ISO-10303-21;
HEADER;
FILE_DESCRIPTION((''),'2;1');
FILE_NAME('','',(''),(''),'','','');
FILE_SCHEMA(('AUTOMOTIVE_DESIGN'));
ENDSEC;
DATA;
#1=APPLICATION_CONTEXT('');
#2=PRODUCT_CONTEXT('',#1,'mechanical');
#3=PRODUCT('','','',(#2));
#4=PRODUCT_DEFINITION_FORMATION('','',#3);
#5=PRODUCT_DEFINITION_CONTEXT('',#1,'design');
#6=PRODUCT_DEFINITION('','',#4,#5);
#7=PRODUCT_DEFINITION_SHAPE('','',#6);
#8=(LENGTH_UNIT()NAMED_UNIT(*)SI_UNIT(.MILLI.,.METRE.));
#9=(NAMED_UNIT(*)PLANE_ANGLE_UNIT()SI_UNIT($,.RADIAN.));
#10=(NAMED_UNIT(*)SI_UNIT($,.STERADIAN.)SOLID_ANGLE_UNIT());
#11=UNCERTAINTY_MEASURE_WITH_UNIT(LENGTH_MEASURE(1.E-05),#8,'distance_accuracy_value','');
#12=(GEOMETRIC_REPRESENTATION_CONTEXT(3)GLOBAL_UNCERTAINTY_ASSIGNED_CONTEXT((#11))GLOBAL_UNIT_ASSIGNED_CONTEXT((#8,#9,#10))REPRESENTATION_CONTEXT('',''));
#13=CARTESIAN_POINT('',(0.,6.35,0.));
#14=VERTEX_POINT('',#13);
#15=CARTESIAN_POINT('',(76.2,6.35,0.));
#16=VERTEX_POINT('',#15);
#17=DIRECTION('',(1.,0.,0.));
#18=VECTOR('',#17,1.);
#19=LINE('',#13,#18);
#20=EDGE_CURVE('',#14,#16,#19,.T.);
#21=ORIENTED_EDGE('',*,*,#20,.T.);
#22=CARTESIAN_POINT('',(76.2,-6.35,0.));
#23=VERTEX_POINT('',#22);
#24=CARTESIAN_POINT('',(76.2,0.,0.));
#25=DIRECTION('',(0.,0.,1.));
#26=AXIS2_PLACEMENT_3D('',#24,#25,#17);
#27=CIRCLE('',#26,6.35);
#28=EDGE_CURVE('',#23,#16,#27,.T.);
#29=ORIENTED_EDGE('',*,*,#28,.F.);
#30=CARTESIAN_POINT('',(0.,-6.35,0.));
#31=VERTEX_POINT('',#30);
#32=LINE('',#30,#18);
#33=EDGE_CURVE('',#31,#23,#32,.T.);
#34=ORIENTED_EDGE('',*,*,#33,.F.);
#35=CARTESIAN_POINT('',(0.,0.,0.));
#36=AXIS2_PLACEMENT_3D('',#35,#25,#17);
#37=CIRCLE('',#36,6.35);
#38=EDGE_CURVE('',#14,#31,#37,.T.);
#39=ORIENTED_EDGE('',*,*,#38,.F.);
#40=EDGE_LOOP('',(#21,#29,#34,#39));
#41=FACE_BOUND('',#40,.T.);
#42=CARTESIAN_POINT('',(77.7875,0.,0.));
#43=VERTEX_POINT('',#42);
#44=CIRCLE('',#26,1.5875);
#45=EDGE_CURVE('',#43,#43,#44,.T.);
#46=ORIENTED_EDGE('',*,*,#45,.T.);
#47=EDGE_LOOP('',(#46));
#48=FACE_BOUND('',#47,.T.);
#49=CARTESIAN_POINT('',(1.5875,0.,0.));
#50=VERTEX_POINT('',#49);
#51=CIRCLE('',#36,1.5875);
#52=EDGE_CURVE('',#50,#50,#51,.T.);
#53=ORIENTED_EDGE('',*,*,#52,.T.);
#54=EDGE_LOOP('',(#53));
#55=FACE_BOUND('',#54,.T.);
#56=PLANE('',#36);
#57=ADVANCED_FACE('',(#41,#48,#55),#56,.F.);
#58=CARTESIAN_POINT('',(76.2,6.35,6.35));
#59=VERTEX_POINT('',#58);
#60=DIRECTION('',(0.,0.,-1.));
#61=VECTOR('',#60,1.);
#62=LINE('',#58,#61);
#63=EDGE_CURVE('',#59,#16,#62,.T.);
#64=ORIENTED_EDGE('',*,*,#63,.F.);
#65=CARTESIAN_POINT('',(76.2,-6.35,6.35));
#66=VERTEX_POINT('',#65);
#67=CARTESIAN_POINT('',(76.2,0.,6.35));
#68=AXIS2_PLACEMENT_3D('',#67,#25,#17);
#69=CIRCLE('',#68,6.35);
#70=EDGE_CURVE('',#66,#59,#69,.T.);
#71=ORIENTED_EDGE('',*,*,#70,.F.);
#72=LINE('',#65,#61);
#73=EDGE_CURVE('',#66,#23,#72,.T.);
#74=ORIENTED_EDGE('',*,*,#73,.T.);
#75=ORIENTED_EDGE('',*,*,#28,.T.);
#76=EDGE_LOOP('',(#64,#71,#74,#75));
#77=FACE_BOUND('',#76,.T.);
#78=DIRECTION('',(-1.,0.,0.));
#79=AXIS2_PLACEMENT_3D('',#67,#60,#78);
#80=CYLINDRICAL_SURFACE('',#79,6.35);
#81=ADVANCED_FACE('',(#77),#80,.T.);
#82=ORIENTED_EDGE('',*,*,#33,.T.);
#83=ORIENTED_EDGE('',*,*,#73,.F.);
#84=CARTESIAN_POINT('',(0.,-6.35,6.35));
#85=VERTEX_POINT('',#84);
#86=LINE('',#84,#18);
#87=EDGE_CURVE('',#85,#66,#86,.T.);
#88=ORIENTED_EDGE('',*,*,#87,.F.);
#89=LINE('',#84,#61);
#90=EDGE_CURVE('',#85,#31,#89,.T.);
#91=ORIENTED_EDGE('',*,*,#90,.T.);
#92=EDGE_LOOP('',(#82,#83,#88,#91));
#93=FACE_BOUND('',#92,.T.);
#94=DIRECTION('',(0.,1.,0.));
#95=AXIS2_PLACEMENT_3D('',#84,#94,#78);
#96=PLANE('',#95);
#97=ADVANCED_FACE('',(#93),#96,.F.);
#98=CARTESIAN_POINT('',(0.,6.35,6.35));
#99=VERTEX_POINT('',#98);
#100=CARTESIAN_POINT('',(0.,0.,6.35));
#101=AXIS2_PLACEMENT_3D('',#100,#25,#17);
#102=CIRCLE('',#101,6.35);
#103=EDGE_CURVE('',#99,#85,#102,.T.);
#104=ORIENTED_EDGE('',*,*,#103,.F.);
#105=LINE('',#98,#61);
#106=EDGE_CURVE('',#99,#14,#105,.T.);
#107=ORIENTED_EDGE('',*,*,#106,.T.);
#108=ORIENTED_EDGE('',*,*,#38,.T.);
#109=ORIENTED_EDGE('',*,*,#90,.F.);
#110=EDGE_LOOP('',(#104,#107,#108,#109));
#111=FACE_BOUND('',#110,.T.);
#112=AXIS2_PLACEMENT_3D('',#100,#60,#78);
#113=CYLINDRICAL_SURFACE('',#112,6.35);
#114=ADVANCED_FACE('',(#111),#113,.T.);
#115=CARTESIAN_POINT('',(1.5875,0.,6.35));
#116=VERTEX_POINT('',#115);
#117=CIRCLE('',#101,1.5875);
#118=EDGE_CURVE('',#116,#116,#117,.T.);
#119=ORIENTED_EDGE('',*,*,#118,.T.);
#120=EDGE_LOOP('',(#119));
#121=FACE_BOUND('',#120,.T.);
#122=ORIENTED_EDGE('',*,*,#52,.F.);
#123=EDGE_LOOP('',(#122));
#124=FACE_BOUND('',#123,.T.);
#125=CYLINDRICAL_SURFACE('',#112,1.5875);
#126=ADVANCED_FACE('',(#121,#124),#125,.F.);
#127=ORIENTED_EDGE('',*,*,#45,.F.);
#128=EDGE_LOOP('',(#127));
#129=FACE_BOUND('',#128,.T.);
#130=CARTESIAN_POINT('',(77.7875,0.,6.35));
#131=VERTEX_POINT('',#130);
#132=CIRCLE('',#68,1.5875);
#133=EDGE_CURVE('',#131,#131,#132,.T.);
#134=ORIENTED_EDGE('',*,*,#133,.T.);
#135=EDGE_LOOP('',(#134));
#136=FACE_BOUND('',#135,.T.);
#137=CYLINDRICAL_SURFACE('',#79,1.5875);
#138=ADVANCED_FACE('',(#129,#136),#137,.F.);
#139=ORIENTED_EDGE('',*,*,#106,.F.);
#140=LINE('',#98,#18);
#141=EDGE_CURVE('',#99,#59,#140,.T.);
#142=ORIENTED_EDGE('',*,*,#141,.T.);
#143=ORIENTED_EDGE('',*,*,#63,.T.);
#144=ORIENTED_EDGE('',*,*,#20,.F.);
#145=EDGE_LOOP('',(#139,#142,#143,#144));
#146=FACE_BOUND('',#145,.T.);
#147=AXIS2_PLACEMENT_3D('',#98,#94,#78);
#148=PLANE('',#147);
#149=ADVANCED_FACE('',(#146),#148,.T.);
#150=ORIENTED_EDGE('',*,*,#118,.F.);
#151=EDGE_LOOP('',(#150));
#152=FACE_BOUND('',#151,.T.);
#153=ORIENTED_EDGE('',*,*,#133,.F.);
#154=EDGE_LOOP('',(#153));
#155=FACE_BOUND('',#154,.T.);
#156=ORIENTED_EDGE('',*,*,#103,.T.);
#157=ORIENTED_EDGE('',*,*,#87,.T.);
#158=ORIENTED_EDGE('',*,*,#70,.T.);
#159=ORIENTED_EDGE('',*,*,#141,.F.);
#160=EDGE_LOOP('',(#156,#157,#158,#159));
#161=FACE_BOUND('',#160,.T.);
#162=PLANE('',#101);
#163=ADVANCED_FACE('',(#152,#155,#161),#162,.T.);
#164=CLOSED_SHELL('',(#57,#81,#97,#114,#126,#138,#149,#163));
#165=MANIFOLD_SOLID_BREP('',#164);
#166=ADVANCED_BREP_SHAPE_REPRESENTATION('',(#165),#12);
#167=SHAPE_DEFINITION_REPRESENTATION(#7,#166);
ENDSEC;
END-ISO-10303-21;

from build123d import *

# Parameters (mm, degrees)
SKETCH1_R           = 6.35
SKETCH1_R_2         = 1.5875
BOSS_EXTRUDE1_DEPTH = 6.35


with BuildPart() as part:
    # Sketch1 → Boss-Extrude1 (new body)
    # profile 1 of 3: a face of its own
    with BuildSketch(Plane.XY):
        with BuildLine():
            Line((76.2, 6.35), (0, 6.35))
            ThreePointArc((0, 6.35), (4.490128061, 4.490128061), (6.35, 0))
            ThreePointArc((6.35, 0), (4.490128061, -4.490128061), (0, -6.35))
            Line((0, -6.35), (76.2, -6.35))
            ThreePointArc((76.2, -6.35), (69.85, 0), (76.2, 6.35))
        make_face()
    # profile 2 of 3: a face of its own
    with BuildSketch(Plane.XY):
        Circle(SKETCH1_R)
        Circle(SKETCH1_R_2, mode=Mode.SUBTRACT)
    # profile 3 of 3: a face of its own
    with BuildSketch(Plane.XY):
        with Locations((76.2, 0)):
            Circle(SKETCH1_R)
        with Locations((76.2, 0)):
            Circle(SKETCH1_R_2, mode=Mode.SUBTRACT)
    extrude(amount=BOSS_EXTRUDE1_DEPTH)


solid = part.part
